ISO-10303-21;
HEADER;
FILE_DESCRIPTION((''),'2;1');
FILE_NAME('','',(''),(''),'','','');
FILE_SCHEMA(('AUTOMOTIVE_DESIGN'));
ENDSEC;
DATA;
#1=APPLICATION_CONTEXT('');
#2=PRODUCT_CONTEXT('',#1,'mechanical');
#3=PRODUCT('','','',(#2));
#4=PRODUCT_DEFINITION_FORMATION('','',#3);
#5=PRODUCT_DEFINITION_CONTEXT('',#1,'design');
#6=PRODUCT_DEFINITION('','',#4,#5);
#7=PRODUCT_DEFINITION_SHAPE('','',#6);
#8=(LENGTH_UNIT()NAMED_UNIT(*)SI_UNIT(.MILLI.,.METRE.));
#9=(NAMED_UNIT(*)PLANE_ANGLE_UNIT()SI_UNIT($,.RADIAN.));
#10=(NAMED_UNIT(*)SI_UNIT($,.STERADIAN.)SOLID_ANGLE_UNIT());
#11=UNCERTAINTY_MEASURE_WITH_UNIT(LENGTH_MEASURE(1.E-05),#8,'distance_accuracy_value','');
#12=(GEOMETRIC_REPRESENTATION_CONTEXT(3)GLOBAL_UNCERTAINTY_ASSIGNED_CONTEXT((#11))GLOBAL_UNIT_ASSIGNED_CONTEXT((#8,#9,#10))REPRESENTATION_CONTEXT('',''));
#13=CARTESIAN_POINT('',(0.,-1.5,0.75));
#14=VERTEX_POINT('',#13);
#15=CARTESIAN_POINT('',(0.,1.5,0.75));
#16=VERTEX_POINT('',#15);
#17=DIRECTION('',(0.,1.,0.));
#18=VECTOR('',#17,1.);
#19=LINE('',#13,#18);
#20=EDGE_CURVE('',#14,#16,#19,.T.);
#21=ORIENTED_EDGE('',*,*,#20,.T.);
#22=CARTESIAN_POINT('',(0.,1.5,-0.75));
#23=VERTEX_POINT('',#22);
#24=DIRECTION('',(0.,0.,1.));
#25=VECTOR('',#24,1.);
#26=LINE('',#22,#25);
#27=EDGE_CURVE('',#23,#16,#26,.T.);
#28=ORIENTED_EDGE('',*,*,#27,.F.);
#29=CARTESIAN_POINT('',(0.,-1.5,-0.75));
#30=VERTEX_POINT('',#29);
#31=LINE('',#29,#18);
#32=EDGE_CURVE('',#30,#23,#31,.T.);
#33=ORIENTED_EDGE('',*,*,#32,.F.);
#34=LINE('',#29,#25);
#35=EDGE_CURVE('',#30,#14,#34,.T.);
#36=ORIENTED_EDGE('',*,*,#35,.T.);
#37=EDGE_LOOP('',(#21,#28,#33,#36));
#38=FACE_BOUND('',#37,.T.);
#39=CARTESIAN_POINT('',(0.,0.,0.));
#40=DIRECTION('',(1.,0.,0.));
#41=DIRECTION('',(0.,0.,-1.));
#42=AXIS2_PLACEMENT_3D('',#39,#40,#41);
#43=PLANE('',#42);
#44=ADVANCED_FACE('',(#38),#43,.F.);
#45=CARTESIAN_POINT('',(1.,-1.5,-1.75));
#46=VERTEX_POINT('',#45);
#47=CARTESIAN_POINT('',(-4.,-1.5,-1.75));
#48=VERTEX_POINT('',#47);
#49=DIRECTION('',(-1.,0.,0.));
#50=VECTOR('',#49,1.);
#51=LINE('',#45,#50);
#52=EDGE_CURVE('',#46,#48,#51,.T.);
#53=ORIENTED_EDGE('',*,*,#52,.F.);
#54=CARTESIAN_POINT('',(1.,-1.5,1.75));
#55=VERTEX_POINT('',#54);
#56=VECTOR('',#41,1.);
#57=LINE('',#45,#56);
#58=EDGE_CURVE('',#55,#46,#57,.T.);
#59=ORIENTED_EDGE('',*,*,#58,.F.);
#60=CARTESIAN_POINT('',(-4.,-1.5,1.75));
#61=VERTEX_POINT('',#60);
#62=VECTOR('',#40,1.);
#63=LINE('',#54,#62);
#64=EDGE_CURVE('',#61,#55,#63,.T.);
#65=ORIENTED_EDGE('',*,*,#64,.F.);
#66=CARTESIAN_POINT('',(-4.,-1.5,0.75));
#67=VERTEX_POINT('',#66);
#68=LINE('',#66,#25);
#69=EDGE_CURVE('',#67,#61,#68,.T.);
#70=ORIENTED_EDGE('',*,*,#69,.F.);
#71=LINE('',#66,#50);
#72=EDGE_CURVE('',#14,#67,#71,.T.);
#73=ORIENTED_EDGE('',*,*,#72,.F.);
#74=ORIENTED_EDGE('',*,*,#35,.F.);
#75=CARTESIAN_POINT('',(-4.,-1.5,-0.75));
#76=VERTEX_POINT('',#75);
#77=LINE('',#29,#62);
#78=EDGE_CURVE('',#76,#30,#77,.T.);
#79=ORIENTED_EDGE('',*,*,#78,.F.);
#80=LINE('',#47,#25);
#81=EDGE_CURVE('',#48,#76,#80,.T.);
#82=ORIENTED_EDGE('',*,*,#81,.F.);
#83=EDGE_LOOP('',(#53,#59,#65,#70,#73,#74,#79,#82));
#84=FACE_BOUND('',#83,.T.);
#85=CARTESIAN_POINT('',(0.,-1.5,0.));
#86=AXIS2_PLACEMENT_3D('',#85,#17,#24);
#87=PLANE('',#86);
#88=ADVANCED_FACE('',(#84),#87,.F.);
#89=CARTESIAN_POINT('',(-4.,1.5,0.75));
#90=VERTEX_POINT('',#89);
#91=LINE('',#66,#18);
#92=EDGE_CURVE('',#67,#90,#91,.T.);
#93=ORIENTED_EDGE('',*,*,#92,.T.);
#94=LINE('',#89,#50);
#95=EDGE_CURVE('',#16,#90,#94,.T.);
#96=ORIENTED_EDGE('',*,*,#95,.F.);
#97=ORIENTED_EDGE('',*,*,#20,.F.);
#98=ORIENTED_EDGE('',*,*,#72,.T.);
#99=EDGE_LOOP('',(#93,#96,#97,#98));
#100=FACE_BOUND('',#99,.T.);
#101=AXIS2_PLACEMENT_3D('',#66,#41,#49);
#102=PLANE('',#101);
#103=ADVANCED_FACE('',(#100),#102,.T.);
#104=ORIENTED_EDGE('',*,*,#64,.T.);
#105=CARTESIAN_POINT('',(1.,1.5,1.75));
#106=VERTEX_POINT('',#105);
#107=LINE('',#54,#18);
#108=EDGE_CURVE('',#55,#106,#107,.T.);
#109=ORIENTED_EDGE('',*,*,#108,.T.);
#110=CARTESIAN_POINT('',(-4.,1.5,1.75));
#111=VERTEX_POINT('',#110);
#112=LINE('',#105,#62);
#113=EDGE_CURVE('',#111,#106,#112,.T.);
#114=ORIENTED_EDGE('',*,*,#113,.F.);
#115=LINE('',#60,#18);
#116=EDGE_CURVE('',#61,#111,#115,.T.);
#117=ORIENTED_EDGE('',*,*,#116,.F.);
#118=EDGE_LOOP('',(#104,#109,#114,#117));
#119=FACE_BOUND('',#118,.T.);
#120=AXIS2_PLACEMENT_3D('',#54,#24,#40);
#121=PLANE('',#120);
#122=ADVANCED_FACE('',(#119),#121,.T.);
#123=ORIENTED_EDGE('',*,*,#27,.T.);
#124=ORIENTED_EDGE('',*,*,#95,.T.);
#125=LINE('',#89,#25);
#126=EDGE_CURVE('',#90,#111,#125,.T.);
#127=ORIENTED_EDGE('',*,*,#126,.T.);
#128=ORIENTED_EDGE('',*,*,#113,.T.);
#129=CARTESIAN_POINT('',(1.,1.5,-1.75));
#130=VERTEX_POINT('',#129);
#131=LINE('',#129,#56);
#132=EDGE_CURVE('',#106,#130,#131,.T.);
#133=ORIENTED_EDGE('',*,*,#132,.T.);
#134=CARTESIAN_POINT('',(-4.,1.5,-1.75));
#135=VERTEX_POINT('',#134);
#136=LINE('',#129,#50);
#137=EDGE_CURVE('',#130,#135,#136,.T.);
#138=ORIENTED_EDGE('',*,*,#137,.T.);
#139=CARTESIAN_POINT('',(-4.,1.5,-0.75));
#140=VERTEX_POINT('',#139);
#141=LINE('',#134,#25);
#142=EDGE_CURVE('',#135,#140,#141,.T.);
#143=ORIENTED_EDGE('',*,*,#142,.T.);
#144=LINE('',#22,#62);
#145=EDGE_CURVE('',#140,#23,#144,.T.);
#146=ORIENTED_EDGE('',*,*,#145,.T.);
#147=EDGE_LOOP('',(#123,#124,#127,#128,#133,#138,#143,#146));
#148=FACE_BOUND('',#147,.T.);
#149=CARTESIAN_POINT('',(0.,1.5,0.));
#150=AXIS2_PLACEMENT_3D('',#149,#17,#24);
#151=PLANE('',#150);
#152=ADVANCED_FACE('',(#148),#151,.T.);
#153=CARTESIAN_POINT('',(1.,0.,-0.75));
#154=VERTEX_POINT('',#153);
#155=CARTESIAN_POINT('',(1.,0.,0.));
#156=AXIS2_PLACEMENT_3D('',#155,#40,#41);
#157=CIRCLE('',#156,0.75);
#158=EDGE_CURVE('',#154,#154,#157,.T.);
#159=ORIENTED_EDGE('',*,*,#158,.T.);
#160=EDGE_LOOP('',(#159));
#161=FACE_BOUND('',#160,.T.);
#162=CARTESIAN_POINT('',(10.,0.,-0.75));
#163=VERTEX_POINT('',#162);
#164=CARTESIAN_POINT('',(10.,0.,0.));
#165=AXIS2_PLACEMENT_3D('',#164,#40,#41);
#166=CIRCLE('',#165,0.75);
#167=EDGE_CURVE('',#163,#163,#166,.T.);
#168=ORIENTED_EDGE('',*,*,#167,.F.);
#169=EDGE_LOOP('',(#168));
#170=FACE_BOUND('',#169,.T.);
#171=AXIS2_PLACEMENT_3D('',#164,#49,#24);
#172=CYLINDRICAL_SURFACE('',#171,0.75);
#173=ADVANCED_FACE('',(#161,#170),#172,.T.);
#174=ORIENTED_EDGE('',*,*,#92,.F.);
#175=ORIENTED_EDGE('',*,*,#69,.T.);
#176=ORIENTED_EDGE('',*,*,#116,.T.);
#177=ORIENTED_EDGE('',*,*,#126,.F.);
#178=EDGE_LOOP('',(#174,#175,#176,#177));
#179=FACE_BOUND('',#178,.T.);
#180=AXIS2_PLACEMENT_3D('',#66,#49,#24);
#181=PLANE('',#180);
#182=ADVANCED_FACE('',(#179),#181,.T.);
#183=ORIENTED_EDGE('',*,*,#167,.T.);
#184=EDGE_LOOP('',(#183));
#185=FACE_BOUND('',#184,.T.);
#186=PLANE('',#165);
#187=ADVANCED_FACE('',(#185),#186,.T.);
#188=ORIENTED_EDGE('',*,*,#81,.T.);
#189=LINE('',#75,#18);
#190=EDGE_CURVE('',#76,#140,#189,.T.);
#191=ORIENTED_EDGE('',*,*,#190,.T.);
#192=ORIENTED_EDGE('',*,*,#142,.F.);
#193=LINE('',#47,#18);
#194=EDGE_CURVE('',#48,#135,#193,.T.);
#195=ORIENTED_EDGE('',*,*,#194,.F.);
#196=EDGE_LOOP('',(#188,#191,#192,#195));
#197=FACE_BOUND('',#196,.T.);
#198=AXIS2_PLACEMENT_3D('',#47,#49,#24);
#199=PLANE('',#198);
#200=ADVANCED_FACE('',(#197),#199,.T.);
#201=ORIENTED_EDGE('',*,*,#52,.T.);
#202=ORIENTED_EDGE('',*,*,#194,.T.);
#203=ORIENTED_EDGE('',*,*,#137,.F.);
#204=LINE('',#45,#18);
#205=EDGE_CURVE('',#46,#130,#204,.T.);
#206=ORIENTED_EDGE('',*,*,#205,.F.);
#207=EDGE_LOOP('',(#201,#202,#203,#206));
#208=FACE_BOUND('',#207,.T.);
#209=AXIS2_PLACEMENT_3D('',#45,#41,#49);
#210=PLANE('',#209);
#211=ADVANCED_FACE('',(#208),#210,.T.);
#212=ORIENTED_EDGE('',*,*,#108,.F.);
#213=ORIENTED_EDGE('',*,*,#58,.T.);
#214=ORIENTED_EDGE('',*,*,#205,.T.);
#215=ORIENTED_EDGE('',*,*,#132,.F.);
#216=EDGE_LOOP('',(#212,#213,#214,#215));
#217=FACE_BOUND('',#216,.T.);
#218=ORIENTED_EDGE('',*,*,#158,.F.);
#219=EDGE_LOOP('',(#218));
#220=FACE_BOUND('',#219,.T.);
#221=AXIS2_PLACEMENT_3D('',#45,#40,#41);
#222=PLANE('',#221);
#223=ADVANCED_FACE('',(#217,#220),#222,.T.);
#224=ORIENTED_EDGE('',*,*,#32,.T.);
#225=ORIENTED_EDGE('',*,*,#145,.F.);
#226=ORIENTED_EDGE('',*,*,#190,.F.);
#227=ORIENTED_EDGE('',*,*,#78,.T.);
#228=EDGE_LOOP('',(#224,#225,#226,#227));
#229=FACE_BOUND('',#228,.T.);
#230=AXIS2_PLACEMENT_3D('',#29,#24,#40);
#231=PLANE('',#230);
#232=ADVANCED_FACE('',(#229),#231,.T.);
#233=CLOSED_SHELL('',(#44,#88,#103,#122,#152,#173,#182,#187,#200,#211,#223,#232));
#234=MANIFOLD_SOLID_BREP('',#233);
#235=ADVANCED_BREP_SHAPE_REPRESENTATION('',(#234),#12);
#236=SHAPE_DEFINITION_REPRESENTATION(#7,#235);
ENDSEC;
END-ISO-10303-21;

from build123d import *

# Parameters (mm, degrees)
SKETCH1_R                = 0.75
BOSS_EXTRUDE1_DEPTH      = 10
BOSS_EXTRUDE2_DEPTH      = 1.5
BOSS_EXTRUDE2_DEPTH_BACK = 1.5


with BuildPart() as part:
    # Sketch1 → Boss-Extrude1 (new body)
    with BuildSketch(Plane(origin=(0, 0, 0), x_dir=(0, 0, -1), z_dir=(1, 0, 0))):
        Circle(SKETCH1_R)
    extrude(amount=BOSS_EXTRUDE1_DEPTH)

    # Sketch2 → Boss-Extrude2 (add, two sides: drawn at the far end of the back side and taken through both)
    with BuildSketch(Plane(origin=(0, 0, 0), x_dir=(1, 0, 0), z_dir=(0, 1, 0)).offset(-BOSS_EXTRUDE2_DEPTH_BACK)):
        Polygon((1, 1.75), (1, -1.75), (-4, -1.75), (-4, -0.75), (0, -0.75), (0, 0.75), (-4, 0.75), (-4, 1.75), align=None)
    extrude(amount=BOSS_EXTRUDE2_DEPTH + BOSS_EXTRUDE2_DEPTH_BACK)


solid = part.part
